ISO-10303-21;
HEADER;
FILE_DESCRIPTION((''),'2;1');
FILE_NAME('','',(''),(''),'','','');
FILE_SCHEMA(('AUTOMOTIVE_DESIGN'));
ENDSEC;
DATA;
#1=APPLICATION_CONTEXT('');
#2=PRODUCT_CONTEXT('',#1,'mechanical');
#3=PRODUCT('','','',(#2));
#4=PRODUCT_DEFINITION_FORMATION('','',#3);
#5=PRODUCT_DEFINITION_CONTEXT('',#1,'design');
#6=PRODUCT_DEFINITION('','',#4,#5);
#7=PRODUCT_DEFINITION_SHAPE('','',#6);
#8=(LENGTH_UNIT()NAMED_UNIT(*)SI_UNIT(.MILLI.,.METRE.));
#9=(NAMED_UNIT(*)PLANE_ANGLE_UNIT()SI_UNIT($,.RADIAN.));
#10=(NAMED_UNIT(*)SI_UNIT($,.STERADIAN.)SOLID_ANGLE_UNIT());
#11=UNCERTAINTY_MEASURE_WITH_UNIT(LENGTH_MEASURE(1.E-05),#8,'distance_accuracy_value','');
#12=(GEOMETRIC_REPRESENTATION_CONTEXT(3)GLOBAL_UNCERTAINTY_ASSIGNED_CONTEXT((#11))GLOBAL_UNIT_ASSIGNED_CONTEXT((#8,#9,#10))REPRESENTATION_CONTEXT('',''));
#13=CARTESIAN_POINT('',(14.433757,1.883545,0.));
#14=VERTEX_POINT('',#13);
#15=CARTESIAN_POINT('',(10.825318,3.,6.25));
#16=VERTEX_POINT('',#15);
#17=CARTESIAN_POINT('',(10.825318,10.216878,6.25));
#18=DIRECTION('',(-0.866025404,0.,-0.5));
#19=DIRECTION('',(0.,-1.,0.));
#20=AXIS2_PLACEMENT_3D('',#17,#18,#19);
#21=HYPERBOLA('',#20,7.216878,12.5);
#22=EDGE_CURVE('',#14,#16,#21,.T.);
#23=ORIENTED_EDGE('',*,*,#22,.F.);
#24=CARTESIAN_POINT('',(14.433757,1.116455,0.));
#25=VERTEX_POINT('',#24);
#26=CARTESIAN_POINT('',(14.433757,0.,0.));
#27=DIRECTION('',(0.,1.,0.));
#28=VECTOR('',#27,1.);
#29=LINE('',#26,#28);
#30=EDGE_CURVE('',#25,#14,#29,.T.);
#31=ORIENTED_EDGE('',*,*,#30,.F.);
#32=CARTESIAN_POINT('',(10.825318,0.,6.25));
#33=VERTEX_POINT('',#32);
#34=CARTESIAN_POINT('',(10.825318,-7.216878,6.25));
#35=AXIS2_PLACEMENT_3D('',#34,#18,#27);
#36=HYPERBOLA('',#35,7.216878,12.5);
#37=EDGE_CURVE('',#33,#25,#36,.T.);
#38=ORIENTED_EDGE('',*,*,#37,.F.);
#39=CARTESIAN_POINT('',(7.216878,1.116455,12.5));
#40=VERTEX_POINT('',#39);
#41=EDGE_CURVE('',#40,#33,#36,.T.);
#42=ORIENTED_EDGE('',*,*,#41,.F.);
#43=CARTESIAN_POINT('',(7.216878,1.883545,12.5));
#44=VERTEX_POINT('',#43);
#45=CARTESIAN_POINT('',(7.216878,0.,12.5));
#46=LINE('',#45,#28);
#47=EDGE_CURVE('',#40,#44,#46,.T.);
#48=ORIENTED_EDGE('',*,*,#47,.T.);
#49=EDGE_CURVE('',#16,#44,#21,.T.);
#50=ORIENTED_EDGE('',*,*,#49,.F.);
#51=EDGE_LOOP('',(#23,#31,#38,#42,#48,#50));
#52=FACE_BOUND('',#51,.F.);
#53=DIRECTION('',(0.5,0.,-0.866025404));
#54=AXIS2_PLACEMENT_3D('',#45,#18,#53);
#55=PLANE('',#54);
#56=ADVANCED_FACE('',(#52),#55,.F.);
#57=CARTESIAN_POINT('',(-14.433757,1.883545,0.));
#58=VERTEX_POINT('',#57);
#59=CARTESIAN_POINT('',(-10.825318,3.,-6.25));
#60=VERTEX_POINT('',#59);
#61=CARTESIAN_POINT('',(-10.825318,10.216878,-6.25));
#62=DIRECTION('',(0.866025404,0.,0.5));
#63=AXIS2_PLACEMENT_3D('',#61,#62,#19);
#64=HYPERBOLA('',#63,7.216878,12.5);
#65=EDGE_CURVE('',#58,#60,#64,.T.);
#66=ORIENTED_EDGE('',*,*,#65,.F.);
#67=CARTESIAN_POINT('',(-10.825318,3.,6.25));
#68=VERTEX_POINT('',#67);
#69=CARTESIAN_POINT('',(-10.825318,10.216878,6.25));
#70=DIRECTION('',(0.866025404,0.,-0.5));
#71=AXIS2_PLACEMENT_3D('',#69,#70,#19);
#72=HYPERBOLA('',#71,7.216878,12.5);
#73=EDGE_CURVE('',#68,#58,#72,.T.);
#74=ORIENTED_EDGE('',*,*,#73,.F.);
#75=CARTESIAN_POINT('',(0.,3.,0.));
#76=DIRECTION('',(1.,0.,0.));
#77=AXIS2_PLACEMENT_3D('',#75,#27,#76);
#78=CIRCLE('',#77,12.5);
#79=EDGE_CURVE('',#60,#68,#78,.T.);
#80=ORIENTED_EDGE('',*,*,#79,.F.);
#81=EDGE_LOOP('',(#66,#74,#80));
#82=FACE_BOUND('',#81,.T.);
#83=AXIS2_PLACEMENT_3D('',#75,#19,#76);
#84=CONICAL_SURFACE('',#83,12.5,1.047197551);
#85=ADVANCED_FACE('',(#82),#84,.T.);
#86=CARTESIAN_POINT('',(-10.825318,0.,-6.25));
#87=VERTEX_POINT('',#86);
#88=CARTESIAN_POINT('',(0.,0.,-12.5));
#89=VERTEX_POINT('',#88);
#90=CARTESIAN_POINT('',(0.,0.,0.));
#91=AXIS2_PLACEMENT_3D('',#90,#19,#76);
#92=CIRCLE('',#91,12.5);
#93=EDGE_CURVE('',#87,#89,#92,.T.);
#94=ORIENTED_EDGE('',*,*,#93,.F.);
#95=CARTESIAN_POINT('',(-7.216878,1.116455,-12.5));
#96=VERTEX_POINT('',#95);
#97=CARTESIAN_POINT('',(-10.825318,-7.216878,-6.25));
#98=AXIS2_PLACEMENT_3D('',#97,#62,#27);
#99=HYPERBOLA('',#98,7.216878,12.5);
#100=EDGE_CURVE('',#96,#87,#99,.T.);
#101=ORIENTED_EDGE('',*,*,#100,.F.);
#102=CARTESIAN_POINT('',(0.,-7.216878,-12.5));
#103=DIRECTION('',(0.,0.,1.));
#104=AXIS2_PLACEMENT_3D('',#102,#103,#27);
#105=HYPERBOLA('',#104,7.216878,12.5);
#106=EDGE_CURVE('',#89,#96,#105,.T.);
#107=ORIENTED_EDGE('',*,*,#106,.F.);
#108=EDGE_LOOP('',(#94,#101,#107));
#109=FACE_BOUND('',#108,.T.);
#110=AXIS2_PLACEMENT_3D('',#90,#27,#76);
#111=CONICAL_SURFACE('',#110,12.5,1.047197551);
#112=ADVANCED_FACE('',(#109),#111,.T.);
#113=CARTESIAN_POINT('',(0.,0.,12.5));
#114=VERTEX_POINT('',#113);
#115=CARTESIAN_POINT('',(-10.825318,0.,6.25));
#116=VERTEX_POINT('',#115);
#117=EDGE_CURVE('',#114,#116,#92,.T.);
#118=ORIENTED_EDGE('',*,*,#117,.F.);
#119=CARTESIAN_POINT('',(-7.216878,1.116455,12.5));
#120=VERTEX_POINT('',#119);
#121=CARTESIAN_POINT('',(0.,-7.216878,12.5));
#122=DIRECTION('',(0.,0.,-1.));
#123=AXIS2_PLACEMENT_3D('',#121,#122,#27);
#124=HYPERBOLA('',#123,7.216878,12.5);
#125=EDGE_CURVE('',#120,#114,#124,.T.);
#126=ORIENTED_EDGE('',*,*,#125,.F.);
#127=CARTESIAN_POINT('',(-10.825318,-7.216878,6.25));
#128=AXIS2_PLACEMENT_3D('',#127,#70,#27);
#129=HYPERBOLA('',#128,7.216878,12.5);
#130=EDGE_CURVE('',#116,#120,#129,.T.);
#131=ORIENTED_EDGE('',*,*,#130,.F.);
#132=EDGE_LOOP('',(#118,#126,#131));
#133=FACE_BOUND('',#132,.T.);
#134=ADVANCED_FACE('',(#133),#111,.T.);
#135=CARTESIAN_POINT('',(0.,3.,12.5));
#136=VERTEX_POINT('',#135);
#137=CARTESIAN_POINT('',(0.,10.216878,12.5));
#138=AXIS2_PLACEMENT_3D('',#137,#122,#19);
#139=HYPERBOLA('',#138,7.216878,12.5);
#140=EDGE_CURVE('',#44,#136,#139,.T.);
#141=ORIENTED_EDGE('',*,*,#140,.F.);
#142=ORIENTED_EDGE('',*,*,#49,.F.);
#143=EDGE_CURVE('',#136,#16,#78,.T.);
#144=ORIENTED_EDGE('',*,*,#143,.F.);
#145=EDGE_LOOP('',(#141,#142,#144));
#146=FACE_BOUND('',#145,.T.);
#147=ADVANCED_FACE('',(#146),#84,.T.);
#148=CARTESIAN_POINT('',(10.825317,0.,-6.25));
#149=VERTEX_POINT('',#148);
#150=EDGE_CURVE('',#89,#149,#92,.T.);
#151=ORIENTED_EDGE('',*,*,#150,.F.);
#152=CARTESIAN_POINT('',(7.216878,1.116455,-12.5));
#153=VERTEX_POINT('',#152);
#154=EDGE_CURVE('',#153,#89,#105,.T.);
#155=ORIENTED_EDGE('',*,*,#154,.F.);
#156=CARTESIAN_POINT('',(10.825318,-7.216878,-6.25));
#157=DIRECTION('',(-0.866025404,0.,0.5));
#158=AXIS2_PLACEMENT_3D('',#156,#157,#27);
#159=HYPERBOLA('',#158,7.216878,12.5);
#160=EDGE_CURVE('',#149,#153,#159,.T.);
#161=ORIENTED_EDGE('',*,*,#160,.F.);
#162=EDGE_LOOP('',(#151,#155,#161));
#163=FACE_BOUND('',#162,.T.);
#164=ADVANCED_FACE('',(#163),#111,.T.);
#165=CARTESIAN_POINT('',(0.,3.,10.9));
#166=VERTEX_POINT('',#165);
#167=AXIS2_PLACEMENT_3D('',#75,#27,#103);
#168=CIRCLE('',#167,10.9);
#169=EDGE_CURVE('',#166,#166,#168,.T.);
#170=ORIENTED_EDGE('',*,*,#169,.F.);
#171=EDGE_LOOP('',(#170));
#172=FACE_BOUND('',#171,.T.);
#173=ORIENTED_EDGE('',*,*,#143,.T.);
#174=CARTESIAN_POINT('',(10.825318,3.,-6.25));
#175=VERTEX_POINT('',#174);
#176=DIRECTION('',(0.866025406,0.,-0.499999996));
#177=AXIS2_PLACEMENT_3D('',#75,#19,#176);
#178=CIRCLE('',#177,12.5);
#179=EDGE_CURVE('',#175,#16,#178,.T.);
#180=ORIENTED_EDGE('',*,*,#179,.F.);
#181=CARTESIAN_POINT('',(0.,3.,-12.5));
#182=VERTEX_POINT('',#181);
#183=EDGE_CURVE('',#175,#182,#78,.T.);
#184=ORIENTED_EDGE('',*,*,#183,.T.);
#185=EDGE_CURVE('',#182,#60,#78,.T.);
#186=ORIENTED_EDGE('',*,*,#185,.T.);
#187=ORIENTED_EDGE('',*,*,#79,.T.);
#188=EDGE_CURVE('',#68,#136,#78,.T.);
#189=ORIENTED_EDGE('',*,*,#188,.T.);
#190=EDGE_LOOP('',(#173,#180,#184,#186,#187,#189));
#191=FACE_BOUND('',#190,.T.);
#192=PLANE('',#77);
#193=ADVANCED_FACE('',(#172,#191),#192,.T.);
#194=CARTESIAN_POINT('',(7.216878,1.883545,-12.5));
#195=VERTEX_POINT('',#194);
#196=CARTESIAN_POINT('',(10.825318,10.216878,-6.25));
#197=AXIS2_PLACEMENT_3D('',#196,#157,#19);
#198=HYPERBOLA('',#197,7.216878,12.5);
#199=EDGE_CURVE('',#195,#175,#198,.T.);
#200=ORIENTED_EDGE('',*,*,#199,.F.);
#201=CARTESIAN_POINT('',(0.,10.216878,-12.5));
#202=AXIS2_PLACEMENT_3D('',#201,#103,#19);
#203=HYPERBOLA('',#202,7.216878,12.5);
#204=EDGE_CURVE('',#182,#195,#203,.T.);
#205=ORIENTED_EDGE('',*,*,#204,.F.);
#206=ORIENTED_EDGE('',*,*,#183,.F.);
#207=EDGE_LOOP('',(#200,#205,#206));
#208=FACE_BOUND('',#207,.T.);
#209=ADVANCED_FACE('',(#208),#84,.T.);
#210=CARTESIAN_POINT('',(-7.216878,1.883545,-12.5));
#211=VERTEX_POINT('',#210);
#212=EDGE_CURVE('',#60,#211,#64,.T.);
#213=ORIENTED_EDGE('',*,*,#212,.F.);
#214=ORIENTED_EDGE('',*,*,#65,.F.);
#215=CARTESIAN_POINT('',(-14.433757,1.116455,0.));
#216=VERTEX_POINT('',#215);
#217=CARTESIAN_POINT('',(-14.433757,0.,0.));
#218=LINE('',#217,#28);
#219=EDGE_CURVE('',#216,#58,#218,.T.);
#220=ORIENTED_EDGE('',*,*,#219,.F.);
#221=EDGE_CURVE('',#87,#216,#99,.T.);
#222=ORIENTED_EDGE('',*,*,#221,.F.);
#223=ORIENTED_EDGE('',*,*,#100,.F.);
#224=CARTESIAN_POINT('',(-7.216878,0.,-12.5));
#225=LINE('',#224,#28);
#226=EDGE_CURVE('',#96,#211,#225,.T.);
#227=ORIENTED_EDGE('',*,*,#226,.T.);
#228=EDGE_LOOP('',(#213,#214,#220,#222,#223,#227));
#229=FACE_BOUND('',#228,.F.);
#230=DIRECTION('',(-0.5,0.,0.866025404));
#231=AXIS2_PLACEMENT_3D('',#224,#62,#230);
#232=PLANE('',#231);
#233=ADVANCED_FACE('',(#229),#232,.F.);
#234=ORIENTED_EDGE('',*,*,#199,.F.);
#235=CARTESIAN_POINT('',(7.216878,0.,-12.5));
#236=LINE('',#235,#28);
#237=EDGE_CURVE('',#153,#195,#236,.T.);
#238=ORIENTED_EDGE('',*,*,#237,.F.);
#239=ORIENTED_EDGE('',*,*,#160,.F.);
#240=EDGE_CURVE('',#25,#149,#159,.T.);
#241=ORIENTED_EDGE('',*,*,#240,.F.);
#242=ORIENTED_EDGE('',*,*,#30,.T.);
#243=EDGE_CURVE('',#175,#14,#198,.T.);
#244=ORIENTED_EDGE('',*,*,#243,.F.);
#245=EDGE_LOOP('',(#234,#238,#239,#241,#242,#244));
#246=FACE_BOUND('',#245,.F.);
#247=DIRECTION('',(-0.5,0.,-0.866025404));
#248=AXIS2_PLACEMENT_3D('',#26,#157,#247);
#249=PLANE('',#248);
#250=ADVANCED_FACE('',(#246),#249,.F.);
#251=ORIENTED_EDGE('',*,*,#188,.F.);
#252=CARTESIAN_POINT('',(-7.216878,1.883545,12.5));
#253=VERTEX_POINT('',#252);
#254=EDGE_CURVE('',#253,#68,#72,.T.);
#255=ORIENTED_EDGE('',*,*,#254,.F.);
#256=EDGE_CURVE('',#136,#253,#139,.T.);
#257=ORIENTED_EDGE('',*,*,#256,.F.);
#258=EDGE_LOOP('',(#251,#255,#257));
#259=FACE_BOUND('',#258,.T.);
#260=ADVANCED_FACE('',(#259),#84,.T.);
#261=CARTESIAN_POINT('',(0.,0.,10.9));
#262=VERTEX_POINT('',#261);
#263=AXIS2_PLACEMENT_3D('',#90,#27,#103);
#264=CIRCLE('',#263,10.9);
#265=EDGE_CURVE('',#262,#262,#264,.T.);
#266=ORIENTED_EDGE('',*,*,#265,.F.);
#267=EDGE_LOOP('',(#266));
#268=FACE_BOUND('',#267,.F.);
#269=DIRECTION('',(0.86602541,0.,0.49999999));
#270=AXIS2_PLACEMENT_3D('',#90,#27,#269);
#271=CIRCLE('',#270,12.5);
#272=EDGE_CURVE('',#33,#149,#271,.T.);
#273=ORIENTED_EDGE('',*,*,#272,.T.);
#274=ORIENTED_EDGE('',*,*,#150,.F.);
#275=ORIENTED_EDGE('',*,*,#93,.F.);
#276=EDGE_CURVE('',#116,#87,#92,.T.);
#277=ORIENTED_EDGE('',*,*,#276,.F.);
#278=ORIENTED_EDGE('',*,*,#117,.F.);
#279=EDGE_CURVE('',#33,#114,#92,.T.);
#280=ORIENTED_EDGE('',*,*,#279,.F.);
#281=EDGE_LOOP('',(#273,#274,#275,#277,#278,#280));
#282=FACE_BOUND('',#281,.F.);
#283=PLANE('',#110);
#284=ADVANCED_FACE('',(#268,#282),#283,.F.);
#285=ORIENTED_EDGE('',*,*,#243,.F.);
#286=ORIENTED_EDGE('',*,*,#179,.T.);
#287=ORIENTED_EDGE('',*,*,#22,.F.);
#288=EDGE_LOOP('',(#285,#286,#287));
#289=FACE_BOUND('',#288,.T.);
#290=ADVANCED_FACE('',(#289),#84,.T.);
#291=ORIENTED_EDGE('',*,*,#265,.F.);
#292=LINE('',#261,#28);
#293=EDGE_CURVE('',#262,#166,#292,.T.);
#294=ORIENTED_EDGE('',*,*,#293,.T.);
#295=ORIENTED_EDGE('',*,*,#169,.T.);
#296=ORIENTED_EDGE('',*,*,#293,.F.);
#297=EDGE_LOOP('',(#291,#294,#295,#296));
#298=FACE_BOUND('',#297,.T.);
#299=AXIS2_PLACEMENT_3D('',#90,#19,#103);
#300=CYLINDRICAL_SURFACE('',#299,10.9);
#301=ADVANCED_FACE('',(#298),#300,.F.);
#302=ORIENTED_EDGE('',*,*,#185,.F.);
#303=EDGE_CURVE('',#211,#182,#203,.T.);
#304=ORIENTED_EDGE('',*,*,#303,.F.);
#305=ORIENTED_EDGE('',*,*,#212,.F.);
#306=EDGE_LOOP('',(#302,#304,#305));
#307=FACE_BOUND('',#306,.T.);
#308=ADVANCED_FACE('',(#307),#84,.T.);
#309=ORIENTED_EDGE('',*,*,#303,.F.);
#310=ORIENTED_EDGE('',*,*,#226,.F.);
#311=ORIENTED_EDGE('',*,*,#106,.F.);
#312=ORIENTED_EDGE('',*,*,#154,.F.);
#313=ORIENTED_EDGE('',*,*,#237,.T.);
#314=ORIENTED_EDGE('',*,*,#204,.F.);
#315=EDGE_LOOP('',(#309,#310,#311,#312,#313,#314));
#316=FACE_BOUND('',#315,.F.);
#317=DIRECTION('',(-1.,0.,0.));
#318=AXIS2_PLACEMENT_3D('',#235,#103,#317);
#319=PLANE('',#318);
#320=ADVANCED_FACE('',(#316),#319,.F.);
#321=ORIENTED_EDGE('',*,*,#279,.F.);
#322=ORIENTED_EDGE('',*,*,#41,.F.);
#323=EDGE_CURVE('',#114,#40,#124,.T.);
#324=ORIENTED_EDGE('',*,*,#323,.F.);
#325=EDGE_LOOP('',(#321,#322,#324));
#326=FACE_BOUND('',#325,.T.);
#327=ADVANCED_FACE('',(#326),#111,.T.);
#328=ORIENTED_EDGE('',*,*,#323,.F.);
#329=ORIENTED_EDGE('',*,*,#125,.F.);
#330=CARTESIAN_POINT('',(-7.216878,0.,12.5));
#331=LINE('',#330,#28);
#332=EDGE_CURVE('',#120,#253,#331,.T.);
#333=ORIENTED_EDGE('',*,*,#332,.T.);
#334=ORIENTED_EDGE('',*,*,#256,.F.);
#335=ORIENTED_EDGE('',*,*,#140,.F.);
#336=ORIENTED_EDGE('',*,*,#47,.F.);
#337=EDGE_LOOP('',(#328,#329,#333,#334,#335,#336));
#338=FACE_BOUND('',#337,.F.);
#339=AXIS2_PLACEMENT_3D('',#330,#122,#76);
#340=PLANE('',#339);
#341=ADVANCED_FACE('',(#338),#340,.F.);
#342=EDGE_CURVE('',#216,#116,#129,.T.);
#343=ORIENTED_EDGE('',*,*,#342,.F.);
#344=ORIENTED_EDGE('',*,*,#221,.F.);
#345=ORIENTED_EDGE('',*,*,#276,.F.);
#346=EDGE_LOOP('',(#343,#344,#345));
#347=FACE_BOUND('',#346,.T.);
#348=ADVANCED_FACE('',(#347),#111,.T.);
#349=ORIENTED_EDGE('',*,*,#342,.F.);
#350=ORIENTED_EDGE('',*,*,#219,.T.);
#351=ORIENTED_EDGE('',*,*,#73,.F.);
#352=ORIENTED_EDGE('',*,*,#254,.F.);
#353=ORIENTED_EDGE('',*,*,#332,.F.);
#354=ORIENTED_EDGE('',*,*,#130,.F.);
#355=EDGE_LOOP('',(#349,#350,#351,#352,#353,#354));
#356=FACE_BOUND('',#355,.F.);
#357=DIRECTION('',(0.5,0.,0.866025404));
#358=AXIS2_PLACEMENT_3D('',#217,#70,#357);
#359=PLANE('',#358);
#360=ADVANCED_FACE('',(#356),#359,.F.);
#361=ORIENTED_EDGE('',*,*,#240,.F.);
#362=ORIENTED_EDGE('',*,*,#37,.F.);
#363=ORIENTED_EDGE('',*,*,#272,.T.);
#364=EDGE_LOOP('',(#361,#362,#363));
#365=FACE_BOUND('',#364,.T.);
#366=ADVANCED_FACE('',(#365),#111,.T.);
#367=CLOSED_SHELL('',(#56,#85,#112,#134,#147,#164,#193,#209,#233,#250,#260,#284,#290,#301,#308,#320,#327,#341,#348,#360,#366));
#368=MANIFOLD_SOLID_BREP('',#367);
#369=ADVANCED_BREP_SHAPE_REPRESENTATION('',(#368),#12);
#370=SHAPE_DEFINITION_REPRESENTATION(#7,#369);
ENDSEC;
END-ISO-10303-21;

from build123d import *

# Parameters (mm, degrees)
SKETCH1_R               = 10.9
BOSS_EXTRUDE1_DEPTH     = 3
SKETCH2_OUTSIDE_W       = 108.948
SKETCH2_OUTSIDE_H       = 105.08
SKETCH2_OUTSIDE_R       = 12.5
CUT_EXTRUDE1_DEPTH      = 20.328303944
CUT_EXTRUDE1_DRAFT      = -60
MIRROR1_COPY_1_SKETCH_W = 108.948
MIRROR1_COPY_1_SKETCH_H = 105.08
MIRROR1_COPY_1_SKETCH_R = 12.5
MIRROR1_COPY_1_DEPTH    = 20.328303944
MIRROR1_COPY_1_DRAFT    = -60


with BuildPart() as part:
    # Sketch1 → Boss-Extrude1 (new body)
    with BuildSketch(Plane(origin=(0, 0, 0), x_dir=(1, 0, 0), z_dir=(0, 1, 0))):
        Polygon((14.43375673, 0), (7.216878365, 12.5), (-7.216878365, 12.5), (-14.43375673, 0), (-7.216878365, -12.5), (7.216878365, -12.5), align=None)
        with Locations(Location((0, 0, 0), (0, 0, 270))):
            Circle(SKETCH1_R, mode=Mode.SUBTRACT)
    extrude(amount=BOSS_EXTRUDE1_DEPTH)


with BuildPart() as cut_extrude1_tool:
    # Sketch2 outside → Cut-Extrude1 (with draft: the straight prism first)
    with BuildSketch(Plane(origin=(0, 3, 0), x_dir=(1, 0, 0), z_dir=(0, 1, 0))):
        Rectangle(SKETCH2_OUTSIDE_W, SKETCH2_OUTSIDE_H)
        Circle(SKETCH2_OUTSIDE_R, mode=Mode.SUBTRACT)
    extrude(amount=-CUT_EXTRUDE1_DEPTH)
    # Cut-Extrude1: the draft: its side faces are tilted about the plane it starts from
    cut_extrude1_sides = [cut_extrude1_tool.faces().sort_by_distance(p)[0] for p in [
        (0, -7.164151972, 52.54),
        (54.474, -7.164151972, 0),
        (0, -7.164151972, -52.54),
        (-54.474, -7.164151972, 0),
        (-12.5, -7.164151972, 0),
    ]]
    draft(cut_extrude1_sides, Plane(origin=(0, 3, 0), x_dir=(1, 0, 0), z_dir=(0, 1, 0)), CUT_EXTRUDE1_DRAFT)


with BuildPart() as part_1:
    add(part.part)

    # Cut-Extrude1: cut by cut_extrude1_tool
    add(cut_extrude1_tool.part, mode=Mode.SUBTRACT)


with BuildPart() as mirror1_copy_1_tool:
    # Mirror1 copy 1 sketch → Mirror1 copy 1 (with draft: the straight prism first)
    with BuildSketch(Plane.XZ):
        Rectangle(MIRROR1_COPY_1_SKETCH_W, MIRROR1_COPY_1_SKETCH_H)
        Circle(MIRROR1_COPY_1_SKETCH_R, mode=Mode.SUBTRACT)
    extrude(amount=-MIRROR1_COPY_1_DEPTH)
    # Mirror1 copy 1: the draft: its side faces are tilted about the plane it starts from
    mirror1_copy_1_sides = [mirror1_copy_1_tool.faces().sort_by_distance(p)[0] for p in [
        (0, 10.164151972, 52.54),
        (54.474, 10.164151972, 0),
        (0, 10.164151972, -52.54),
        (-54.474, 10.164151972, 0),
        (-12.5, 10.164151972, 0),
    ]]
    draft(mirror1_copy_1_sides, Plane.XZ, MIRROR1_COPY_1_DRAFT)


with BuildPart() as part_2:
    add(part_1.part)

    # Mirror1 copy 1: cut by mirror1_copy_1_tool
    add(mirror1_copy_1_tool.part, mode=Mode.SUBTRACT)


solid = part_2.part
